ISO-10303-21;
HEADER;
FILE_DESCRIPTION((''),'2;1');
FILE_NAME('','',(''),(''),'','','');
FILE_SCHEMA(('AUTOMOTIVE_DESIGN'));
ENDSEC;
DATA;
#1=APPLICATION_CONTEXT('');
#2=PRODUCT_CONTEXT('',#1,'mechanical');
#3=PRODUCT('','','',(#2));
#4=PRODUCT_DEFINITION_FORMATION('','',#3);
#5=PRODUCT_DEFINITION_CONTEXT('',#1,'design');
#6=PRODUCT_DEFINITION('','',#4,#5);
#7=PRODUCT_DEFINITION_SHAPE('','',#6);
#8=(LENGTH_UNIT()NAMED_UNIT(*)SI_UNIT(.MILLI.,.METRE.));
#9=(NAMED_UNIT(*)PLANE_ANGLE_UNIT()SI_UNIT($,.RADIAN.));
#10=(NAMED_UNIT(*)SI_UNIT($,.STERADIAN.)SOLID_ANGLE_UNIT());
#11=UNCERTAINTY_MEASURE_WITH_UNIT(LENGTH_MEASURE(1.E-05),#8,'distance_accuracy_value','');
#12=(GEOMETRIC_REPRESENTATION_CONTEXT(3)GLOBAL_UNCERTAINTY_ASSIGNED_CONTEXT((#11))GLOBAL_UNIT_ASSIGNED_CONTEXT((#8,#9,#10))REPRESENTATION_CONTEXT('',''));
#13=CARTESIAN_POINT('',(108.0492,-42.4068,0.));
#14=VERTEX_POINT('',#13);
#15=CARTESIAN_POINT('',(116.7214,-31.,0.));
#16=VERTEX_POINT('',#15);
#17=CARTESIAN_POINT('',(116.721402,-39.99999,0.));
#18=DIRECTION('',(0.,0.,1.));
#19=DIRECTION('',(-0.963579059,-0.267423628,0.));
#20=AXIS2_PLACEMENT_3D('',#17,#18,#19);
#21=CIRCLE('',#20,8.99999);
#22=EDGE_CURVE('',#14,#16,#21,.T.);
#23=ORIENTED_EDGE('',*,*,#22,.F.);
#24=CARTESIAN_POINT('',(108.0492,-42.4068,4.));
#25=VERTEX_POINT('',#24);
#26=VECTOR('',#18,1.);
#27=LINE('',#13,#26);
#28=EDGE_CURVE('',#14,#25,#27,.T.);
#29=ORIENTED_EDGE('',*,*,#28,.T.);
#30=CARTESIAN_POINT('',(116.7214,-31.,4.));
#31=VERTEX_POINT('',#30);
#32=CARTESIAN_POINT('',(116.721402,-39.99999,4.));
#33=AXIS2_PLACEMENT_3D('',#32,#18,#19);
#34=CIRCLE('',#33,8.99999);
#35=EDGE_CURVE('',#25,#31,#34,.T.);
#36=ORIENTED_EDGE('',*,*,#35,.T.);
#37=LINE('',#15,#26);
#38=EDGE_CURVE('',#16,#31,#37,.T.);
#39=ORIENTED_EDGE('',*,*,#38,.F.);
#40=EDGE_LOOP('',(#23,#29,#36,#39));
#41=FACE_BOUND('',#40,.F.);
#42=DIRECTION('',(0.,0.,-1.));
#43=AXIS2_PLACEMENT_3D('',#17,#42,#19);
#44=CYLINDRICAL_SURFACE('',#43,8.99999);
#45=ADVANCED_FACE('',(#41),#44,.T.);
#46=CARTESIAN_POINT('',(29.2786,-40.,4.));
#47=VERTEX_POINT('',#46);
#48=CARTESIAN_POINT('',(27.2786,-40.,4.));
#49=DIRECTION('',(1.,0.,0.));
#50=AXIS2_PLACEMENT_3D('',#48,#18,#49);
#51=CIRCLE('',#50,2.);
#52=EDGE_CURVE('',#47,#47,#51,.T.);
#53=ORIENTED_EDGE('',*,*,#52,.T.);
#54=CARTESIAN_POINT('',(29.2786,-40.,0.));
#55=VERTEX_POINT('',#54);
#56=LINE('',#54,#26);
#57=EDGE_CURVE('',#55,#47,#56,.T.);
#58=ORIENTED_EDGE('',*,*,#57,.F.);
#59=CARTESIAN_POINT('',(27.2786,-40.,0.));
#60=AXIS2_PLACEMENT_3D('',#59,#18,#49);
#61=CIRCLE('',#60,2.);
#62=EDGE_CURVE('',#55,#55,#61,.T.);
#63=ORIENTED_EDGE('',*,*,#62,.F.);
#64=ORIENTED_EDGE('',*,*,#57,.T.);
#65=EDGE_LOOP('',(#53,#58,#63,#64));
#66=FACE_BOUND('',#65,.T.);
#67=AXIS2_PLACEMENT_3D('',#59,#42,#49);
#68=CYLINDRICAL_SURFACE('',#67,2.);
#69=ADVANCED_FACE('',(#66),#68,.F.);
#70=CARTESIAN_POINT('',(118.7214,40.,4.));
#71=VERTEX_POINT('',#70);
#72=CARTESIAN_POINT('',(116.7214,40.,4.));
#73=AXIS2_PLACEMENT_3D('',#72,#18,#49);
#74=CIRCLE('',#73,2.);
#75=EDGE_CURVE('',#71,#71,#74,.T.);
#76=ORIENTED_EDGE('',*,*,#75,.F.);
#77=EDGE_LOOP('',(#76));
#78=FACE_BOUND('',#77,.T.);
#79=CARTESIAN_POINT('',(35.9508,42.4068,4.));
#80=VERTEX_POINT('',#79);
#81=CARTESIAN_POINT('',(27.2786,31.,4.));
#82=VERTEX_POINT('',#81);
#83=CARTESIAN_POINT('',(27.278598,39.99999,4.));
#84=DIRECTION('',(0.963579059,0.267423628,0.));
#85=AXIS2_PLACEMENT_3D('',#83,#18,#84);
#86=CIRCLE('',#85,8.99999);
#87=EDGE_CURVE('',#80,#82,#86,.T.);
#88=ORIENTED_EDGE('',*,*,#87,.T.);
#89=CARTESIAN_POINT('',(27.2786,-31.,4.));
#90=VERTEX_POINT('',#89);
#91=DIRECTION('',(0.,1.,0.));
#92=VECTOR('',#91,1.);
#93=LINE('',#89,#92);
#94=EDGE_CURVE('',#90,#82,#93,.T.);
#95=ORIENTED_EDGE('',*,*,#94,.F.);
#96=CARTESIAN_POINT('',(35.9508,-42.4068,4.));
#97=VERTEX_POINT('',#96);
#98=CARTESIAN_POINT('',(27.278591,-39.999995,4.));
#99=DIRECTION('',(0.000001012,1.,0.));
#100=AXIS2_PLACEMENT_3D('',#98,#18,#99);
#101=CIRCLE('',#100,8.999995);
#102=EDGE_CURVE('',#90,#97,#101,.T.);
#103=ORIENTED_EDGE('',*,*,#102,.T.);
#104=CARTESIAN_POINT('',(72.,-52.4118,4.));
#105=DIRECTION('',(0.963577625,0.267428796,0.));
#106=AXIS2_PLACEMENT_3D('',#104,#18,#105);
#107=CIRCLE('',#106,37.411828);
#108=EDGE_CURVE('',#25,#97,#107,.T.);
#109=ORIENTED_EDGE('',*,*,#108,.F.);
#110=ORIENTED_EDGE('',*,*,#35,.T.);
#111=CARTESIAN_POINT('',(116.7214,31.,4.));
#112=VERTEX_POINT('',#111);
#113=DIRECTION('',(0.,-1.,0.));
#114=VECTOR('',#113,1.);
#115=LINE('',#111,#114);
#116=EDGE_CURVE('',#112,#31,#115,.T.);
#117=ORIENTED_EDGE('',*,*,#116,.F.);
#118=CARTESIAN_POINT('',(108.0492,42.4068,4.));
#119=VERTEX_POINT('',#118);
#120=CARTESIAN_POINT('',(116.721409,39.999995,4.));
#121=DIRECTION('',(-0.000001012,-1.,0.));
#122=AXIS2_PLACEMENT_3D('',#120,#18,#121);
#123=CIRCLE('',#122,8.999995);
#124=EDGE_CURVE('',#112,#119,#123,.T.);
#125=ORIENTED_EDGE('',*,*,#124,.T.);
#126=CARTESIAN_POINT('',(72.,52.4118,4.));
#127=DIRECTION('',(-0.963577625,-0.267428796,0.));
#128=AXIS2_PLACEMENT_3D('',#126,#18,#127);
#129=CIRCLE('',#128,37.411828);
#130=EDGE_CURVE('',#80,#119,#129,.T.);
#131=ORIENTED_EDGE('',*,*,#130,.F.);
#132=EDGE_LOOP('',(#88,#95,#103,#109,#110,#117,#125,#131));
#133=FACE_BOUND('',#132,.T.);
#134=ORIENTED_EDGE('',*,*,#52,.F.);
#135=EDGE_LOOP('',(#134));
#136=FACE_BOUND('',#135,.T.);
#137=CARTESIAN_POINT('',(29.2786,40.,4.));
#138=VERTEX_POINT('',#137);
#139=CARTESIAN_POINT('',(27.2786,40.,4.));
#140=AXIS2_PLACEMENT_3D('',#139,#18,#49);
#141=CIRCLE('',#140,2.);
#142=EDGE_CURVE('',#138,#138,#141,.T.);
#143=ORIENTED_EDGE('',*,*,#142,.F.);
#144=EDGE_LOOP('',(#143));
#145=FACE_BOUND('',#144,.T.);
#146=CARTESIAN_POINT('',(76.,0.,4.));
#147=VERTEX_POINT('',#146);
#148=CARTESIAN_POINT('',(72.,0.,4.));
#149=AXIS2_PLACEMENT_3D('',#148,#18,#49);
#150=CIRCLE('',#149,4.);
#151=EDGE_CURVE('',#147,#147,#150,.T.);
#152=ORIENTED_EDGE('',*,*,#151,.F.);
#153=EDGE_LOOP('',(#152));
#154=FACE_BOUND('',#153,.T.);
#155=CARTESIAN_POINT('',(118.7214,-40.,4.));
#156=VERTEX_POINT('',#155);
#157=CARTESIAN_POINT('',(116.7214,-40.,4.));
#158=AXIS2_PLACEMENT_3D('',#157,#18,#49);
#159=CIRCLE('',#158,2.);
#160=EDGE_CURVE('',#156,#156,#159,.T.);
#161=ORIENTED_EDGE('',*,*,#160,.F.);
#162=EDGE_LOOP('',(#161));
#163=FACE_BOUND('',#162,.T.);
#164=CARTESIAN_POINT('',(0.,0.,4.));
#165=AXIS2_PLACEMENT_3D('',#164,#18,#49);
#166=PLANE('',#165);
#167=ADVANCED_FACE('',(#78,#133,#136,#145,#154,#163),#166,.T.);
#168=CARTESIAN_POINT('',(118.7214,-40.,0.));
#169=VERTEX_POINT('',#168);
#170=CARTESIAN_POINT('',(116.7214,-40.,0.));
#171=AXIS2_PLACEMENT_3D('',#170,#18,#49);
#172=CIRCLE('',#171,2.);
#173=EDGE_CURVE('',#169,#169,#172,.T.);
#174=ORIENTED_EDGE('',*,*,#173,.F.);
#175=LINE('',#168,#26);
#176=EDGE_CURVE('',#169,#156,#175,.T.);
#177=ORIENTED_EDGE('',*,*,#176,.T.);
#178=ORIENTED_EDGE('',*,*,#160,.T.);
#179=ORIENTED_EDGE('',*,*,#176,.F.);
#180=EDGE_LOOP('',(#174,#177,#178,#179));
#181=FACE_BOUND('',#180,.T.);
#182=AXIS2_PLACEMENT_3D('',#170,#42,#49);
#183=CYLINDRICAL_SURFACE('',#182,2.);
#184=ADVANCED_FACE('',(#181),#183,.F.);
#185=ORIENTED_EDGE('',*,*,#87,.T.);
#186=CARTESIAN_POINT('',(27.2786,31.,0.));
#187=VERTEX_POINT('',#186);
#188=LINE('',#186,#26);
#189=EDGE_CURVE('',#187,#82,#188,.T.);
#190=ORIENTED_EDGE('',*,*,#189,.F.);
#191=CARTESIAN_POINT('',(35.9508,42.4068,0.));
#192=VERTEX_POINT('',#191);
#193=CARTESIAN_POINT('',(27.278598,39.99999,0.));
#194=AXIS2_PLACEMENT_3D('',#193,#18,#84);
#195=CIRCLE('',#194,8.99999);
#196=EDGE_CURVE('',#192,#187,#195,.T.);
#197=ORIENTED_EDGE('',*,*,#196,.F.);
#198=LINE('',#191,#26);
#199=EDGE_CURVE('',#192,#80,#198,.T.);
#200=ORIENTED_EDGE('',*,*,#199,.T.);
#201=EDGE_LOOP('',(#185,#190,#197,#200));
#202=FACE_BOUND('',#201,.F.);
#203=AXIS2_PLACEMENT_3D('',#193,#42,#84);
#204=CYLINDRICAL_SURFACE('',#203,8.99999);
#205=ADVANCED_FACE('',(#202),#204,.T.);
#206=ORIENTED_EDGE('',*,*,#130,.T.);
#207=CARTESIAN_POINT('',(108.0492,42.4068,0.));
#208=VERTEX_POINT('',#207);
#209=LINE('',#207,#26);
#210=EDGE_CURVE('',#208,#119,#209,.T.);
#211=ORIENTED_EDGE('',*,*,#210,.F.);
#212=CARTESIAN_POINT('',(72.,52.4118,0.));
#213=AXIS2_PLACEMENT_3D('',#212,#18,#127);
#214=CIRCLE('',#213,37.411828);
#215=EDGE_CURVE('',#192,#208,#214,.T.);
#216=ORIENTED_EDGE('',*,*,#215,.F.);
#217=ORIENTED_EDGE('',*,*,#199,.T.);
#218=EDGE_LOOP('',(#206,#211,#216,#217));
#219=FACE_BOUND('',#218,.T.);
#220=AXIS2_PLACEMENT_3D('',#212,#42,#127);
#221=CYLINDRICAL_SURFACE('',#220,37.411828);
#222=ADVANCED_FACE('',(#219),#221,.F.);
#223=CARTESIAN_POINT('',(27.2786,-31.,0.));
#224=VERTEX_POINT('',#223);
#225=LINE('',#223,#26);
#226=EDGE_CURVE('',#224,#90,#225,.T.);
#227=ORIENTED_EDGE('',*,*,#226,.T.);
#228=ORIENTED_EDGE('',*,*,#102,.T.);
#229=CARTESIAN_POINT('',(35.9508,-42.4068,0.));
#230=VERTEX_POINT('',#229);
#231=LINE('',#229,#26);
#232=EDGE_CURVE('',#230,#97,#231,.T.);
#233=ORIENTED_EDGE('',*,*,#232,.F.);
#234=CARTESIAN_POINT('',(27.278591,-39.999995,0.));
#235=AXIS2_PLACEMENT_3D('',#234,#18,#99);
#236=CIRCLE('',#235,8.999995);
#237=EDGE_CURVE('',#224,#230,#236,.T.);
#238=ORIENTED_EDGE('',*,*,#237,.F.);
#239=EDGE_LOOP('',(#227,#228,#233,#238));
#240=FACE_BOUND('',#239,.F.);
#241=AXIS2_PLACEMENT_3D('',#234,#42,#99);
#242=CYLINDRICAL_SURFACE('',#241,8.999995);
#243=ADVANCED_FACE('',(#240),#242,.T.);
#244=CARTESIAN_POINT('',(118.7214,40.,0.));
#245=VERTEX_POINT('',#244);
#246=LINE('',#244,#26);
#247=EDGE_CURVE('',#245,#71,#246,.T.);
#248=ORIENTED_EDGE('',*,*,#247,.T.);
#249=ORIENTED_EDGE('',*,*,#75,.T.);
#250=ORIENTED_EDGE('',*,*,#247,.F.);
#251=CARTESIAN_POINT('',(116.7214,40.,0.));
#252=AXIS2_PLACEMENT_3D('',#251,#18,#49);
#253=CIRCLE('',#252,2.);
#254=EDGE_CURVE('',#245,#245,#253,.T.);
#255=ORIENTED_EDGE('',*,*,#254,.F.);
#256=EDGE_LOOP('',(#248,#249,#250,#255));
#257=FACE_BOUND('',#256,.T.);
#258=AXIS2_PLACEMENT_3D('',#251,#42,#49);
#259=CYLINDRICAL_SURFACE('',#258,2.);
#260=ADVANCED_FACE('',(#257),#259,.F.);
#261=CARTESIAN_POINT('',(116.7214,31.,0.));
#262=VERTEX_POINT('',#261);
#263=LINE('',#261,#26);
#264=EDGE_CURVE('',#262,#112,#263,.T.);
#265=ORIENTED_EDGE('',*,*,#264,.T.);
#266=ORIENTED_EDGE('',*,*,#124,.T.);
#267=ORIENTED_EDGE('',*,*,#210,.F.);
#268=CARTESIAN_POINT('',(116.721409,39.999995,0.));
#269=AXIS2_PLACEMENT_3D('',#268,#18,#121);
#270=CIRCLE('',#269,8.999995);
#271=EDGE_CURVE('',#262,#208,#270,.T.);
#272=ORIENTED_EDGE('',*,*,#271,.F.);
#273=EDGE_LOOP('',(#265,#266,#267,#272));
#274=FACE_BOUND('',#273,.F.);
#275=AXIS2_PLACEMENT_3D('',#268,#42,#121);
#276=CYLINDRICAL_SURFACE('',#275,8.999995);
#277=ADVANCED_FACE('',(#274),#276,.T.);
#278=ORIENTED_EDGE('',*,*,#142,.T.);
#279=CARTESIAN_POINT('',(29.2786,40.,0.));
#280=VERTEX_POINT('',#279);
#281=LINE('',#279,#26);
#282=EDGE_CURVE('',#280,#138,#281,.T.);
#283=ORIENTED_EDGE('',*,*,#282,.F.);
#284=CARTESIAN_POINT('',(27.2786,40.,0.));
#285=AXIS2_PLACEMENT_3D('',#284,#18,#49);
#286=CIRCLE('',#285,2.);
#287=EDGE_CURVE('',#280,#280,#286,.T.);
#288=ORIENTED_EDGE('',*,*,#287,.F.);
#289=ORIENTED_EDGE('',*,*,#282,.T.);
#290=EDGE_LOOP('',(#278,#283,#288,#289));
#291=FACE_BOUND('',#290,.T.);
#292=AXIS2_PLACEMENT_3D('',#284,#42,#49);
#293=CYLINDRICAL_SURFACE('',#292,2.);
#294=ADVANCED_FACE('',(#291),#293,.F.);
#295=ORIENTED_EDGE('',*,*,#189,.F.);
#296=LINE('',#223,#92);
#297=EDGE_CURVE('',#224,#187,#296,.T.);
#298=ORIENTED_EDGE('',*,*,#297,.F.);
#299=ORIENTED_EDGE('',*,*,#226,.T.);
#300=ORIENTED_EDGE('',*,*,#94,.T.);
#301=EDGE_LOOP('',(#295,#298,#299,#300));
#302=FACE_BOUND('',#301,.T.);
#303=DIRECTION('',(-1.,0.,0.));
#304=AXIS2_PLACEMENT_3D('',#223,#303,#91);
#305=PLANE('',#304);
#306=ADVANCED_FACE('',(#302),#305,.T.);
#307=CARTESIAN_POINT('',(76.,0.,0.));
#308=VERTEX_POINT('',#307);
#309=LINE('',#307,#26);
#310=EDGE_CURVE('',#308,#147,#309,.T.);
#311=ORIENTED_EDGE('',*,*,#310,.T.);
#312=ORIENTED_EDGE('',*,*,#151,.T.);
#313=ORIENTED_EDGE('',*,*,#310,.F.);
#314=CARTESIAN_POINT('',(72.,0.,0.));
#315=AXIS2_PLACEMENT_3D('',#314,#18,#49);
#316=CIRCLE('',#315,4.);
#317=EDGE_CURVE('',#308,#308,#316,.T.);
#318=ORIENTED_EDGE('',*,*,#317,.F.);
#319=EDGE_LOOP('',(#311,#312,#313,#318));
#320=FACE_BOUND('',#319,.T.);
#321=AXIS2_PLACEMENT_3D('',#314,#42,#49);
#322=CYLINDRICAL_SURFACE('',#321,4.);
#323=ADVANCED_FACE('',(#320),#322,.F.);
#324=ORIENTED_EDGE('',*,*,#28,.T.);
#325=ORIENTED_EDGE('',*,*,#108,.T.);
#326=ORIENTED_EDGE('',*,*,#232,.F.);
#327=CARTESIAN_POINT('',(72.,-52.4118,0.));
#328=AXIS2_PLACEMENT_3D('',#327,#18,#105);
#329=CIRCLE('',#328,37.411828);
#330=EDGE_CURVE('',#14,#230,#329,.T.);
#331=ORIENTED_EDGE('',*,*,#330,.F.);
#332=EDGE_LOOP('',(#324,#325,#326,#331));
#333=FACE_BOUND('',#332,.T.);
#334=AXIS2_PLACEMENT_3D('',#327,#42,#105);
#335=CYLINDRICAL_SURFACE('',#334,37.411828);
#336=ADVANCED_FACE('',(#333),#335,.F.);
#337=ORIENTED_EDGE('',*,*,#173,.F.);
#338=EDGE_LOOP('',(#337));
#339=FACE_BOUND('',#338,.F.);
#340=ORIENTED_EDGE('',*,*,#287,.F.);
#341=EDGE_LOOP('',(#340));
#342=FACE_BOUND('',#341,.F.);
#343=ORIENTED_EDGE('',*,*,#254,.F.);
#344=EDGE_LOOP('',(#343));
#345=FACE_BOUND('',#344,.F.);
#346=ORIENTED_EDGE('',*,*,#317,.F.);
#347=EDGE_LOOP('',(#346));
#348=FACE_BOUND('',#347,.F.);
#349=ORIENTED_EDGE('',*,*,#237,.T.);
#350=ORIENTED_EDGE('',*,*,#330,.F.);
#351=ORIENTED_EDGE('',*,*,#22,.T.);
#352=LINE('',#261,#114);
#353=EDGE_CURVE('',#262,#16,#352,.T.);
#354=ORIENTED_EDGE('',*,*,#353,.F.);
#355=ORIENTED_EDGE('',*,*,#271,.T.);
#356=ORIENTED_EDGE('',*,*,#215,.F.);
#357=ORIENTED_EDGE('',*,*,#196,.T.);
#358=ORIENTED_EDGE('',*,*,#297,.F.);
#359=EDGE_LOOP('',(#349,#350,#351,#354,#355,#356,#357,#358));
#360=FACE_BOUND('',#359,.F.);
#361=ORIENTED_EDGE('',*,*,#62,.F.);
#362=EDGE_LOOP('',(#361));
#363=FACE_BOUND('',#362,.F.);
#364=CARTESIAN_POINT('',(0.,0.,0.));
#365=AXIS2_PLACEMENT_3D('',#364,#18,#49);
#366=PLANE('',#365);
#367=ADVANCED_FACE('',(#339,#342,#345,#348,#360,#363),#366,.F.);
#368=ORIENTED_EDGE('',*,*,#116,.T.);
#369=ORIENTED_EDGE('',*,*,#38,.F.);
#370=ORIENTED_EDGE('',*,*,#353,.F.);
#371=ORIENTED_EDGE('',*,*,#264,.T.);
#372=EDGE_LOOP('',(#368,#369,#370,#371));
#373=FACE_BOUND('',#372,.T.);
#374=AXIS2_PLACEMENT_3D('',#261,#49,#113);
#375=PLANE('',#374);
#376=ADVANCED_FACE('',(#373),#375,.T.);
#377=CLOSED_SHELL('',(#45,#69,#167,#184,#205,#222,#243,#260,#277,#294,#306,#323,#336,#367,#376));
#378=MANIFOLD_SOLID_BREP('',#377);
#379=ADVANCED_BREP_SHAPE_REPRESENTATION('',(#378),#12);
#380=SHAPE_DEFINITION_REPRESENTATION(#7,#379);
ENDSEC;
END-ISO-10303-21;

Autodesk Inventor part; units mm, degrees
ref_plane "YZ Plane" through (0, 0, 0) normal (1, 0, 0) x (0, 1, 0)
ref_plane "XZ Plane" through (0, 0, 0) normal (0, 1, 0) x (-1, 0, 0)
ref_plane "XY Plane" through (0, 0, 0) normal (0, 0, 1) x (1, 0, 0)
sketch "Boceto1" plane through (0, 0, 0) normal (0, 0, 1) x (1, 0, 0)
  circle A0 centre (27.2786, 40) radius 2 projected
  circle A1 centre (116.7214, 40) radius 2 projected
  circle A2 centre (116.7214, -40) radius 2 projected
  circle A3 centre (27.2786, -40) radius 2 projected
  circle A4 centre (72, 0) radius 4 projected
  arc A5 (35.9508, 42.4068) -> (27.2786, 31) centre (27.2786, 40) ccw
  arc A6 (35.9508, 42.4068) -> (108.0492, 42.4068) centre (72, 52.4118) ccw
  arc A7 (116.7214, 31) -> (108.0492, 42.4068) centre (116.7214, 40) ccw
  line L0 (116.7214, 31) -> (116.7214, -31)
  arc A8 (108.0492, -42.4068) -> (116.7214, -31) centre (116.7214, -40) ccw
  arc A9 (108.0492, -42.4068) -> (35.9508, -42.4068) centre (72, -52.4118) ccw
  arc A10 (27.2786, -31) -> (35.9508, -42.4068) centre (27.2786, -40) ccw
  line L1 (27.2786, -31) -> (27.2786, 31)
  circle A11 centre (72, 0) radius 15 construction
  point P0 (0, 0)
  dimension "d0" = 9
  dimension "d1" = 30
extrude "Extrusión1" add sketch "Boceto1" along normal blind 4
properties part number "protector carrete"
